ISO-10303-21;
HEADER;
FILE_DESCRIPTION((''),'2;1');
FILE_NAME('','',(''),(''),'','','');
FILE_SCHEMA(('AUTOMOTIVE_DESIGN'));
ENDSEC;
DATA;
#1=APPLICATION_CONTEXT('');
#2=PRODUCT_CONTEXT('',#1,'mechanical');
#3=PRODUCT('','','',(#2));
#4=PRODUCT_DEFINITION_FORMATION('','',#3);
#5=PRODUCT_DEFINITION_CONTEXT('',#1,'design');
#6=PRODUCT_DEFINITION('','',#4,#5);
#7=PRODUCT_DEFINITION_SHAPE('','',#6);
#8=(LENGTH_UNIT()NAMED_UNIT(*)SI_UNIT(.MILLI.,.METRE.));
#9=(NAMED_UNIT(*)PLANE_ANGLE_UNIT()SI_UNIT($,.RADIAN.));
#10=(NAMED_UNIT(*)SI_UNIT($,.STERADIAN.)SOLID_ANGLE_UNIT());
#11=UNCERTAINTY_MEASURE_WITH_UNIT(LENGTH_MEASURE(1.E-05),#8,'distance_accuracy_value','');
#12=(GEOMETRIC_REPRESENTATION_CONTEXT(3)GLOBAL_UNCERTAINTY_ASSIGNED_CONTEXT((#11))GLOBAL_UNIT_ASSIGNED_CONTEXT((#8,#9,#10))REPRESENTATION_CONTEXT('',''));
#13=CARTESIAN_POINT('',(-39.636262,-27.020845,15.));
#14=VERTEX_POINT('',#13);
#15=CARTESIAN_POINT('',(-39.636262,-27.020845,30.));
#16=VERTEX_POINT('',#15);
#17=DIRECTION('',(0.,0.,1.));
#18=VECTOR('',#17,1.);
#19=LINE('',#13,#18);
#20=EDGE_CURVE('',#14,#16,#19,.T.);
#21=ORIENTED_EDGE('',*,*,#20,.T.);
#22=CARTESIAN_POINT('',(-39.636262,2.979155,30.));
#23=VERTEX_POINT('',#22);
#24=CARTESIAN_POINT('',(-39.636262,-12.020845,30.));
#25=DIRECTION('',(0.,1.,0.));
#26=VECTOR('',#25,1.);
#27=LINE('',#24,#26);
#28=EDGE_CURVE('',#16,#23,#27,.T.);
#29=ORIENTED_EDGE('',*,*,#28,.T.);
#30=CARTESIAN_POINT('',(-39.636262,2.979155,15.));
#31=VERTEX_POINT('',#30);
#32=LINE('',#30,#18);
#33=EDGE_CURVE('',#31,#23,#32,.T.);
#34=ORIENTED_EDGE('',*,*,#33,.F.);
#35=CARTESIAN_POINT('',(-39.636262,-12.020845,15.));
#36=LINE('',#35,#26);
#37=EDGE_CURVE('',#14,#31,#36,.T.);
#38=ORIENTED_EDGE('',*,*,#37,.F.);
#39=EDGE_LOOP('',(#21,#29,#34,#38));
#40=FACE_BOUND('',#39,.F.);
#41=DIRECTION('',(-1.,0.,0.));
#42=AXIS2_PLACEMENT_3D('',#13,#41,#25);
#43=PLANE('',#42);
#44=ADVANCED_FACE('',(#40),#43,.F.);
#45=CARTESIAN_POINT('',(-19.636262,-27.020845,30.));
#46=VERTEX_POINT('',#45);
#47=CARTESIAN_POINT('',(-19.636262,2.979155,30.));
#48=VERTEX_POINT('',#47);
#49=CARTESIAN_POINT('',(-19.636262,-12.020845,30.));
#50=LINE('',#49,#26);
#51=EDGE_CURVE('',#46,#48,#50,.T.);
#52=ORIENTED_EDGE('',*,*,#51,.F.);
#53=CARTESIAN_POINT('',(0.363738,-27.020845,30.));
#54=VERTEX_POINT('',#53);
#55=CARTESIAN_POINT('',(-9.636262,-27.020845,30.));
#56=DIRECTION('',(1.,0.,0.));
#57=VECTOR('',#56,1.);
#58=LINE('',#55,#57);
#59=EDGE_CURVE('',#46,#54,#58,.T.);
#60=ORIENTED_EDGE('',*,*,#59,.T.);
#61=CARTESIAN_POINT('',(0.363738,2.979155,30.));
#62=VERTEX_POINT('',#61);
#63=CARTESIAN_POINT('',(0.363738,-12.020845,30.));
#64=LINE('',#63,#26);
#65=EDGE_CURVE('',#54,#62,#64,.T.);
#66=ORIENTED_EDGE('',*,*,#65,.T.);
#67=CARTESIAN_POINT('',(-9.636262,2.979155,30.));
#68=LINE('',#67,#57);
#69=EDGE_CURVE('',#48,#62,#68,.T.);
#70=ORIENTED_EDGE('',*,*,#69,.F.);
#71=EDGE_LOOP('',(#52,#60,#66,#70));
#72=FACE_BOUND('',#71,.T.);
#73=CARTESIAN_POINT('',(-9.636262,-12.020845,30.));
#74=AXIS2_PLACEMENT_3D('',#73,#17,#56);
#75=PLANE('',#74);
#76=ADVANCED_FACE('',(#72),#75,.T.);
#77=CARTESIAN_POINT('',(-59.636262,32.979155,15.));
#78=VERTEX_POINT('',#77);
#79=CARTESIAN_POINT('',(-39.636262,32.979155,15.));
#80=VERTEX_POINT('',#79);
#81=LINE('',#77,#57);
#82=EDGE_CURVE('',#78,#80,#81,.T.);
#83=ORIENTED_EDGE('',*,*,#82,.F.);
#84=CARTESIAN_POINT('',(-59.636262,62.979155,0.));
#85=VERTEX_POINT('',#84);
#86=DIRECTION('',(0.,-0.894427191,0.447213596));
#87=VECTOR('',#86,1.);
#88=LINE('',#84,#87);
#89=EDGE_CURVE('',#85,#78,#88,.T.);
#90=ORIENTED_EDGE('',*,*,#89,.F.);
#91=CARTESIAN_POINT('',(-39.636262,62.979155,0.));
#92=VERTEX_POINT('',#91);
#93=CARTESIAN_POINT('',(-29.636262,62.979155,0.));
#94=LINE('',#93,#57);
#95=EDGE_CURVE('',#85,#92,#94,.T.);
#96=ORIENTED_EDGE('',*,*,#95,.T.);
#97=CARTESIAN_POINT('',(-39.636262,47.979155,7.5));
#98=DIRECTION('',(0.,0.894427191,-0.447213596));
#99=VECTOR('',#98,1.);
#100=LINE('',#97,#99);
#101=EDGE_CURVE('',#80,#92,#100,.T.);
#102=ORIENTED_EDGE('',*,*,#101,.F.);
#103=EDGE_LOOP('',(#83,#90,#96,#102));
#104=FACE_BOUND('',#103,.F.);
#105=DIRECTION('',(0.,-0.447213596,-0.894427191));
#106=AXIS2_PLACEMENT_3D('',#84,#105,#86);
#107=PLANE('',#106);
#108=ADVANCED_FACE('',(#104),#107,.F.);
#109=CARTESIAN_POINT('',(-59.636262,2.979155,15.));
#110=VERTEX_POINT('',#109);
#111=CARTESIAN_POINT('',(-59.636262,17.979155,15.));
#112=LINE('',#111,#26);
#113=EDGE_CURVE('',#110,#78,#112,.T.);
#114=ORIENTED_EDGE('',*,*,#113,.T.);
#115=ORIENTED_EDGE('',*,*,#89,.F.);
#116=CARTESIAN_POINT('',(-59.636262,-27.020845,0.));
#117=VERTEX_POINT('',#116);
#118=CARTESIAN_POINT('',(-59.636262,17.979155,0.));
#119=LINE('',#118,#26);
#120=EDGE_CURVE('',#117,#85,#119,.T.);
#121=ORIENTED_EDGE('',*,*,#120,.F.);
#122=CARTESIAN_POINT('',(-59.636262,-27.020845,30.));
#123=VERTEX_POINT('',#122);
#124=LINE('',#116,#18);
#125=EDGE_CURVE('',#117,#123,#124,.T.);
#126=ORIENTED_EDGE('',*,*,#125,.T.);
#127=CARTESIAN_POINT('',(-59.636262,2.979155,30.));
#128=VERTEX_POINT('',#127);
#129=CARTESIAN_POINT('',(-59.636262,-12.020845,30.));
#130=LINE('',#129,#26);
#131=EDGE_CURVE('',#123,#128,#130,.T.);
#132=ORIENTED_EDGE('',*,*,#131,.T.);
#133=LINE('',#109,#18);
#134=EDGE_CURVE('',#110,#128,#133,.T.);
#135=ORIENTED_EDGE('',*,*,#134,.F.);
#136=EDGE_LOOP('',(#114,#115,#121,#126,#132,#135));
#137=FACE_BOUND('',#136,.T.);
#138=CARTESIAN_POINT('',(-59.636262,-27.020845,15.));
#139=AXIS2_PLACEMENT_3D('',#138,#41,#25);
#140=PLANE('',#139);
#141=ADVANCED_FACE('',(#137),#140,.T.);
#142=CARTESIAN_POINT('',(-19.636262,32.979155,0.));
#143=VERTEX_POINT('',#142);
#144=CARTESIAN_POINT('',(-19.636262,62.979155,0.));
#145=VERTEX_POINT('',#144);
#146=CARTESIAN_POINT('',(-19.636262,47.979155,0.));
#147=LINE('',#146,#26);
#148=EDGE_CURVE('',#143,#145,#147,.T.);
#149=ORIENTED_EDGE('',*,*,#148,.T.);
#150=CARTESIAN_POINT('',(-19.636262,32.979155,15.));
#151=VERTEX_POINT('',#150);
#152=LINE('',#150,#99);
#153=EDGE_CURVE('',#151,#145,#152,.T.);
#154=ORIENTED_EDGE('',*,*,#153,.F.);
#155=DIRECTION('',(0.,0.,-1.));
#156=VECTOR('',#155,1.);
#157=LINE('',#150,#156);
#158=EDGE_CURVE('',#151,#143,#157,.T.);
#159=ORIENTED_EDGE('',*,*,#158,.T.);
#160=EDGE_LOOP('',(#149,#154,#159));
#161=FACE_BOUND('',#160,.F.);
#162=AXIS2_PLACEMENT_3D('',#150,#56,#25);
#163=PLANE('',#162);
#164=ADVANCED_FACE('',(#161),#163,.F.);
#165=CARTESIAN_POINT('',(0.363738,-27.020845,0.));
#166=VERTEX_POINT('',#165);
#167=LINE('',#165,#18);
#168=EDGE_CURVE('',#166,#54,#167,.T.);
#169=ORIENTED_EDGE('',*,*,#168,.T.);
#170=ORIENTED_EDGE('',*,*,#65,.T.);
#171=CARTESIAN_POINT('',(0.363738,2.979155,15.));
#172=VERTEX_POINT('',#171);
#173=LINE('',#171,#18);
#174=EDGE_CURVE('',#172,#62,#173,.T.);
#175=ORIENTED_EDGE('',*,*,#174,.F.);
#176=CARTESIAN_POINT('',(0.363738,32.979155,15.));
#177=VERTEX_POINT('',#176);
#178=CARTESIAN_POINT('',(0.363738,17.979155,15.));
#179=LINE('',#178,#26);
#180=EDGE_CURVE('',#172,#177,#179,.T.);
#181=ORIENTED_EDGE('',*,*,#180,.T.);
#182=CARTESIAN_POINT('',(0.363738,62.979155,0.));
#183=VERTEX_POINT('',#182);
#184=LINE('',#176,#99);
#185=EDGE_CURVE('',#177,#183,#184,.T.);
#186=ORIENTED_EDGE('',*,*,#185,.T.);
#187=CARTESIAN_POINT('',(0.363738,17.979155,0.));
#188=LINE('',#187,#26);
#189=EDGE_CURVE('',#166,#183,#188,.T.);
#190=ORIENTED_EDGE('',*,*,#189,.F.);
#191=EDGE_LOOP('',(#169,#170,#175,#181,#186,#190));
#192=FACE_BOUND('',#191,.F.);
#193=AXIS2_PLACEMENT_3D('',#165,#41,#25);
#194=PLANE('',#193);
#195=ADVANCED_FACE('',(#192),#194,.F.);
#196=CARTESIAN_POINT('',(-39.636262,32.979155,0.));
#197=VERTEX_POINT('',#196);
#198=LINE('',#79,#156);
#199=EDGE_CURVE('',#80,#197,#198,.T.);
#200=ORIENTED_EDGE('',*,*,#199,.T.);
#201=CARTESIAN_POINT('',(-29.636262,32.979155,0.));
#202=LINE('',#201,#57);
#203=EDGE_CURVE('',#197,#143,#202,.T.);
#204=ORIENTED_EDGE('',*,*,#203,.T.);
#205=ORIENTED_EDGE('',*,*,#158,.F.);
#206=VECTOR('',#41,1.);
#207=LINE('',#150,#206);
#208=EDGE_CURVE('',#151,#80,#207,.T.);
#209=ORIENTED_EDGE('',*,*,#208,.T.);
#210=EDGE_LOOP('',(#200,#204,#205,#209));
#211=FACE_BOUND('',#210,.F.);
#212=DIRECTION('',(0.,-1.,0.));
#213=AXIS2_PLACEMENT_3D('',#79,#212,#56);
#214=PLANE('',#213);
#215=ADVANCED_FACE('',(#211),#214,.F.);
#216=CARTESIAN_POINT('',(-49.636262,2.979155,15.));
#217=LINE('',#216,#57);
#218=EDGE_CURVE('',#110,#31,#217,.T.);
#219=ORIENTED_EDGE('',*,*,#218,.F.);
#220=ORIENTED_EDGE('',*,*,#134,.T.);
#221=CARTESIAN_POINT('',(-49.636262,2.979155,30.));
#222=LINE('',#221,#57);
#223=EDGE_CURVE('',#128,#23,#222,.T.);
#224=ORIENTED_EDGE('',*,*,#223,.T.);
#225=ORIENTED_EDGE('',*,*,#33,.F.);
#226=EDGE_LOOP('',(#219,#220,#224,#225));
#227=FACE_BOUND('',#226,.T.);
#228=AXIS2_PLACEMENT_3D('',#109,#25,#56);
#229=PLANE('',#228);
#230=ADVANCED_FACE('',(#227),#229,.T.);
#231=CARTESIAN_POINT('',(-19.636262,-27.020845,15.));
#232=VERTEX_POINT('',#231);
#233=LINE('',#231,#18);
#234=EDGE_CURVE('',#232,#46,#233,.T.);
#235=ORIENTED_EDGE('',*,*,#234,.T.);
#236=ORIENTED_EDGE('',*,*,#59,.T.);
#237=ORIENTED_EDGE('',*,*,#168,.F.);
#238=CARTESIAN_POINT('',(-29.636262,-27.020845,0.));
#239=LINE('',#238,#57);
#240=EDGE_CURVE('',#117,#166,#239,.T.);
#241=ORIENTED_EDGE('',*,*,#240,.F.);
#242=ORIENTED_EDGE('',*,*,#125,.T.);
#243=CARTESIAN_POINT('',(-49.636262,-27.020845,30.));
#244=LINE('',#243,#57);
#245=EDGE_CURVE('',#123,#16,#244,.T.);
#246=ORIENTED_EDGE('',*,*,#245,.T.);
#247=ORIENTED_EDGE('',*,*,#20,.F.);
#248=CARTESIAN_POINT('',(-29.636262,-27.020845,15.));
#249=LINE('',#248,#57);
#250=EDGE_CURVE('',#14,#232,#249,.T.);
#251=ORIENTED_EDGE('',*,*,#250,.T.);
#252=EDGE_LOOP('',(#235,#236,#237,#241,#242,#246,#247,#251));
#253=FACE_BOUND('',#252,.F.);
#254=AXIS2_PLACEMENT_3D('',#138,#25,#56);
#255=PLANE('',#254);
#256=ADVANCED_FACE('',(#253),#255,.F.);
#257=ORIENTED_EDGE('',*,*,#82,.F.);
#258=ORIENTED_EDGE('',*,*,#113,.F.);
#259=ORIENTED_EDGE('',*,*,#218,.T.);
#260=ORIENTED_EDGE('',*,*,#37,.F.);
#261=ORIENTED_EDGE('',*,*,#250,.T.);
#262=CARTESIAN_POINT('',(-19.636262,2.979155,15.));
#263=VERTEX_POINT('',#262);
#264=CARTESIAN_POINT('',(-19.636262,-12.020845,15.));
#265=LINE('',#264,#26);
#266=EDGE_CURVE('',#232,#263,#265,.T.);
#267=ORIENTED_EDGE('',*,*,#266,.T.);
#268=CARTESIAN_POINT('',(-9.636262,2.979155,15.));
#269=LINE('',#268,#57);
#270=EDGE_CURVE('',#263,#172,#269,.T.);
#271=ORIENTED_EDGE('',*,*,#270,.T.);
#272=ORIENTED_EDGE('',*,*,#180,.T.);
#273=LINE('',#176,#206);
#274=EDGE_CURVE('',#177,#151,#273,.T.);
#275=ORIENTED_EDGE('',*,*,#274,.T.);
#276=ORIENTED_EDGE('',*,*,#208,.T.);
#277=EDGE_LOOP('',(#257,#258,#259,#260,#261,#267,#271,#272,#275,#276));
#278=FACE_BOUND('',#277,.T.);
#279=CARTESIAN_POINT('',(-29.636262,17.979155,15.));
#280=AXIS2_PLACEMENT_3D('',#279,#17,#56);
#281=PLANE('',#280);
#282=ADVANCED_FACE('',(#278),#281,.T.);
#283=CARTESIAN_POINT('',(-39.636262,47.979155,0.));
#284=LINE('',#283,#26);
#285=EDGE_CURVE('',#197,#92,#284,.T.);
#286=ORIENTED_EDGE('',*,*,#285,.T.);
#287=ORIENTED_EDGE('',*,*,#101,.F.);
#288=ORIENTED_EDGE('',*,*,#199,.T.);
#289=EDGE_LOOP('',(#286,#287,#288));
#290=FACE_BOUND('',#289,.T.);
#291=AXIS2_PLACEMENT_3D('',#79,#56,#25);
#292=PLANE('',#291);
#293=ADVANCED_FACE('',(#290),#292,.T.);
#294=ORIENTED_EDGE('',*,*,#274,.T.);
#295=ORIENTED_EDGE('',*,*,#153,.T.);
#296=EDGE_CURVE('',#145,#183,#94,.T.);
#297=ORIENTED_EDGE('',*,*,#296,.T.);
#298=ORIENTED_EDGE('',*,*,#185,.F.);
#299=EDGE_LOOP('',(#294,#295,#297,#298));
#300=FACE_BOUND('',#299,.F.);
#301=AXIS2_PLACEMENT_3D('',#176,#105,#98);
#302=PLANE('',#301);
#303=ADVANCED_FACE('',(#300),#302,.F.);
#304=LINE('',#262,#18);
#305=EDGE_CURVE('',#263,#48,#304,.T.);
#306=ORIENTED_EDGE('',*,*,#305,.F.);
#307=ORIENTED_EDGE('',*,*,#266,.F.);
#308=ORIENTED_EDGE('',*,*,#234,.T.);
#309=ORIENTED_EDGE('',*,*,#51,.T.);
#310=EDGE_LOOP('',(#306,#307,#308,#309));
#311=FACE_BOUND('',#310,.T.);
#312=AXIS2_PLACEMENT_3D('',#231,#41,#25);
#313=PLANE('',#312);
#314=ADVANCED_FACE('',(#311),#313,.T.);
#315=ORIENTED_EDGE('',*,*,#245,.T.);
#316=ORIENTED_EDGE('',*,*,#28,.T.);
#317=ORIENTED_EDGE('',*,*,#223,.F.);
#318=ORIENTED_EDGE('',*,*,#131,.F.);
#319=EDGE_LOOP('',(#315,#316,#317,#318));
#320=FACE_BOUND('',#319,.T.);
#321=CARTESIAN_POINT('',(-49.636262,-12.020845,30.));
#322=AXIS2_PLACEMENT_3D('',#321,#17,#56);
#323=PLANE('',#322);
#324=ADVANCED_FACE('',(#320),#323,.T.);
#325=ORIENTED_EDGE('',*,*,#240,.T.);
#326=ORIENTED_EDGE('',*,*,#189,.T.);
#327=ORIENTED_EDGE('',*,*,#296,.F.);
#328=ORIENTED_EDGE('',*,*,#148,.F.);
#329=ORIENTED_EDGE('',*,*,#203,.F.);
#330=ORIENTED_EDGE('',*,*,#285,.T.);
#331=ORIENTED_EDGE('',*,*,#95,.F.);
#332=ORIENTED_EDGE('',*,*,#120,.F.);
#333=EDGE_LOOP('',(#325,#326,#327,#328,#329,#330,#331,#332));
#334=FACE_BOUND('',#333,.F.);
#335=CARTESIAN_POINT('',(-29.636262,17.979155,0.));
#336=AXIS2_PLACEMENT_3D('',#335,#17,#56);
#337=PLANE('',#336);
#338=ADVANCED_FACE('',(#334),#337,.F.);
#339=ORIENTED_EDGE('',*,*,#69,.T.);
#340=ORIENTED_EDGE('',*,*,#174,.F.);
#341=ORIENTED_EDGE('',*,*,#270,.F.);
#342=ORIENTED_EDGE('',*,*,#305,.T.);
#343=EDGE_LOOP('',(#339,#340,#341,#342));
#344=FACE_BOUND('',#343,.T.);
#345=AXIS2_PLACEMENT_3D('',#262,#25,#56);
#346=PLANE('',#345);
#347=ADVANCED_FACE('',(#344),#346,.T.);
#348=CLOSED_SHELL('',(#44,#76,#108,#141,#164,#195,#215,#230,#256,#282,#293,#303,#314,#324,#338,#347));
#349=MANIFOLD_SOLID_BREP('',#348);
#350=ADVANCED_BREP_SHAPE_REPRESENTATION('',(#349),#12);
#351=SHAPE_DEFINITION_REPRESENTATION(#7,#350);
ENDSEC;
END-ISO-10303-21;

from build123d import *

# Parameters (mm, degrees)
F0_W      = 60
F0_H      = 90
F1_DEPTH  = 15
F2_W      = 20
F2_H      = 30
F3_DEPTH  = 15
F5_W      = 20
F5_H      = 30
F6_DEPTH  = 15
F8_DEPTH  = 25
F10_DEPTH = 25


with BuildPart() as f1:
    # F0 (on Top) → F1 (new body)
    with BuildSketch(Plane.XY):
        with Locations((-29.636262, 17.979155)):
            Rectangle(F0_W, F0_H)
    extrude(amount=F1_DEPTH)

    # F2 (on face) → F3 (join)
    with BuildSketch(Plane.XY.offset(15)):
        with Locations((-49.636262, -12.020845)):
            Rectangle(F2_W, F2_H)
        with Locations((-9.636262, -12.020845)):
            Rectangle(F2_W, F2_H)
    extrude(amount=F3_DEPTH)

    # F5 (on face) → F6 (cut)
    with BuildSketch(Plane.XY.offset(15)):
        with Locations((-29.636262, 47.979155)):
            Rectangle(F5_W, F5_H)
    extrude(amount=-F6_DEPTH, mode=Mode.SUBTRACT)

    # F7 (on face) → F8 (cut)
    with BuildSketch(Plane(origin=(-59.636262, 0, 0), x_dir=(0, -1, 0), z_dir=(-1, 0, 0))):
        Polygon((-62.979155, 15), (-62.979155, 0), (-32.979155, 15), (-60.437772, 15), align=None)
    extrude(amount=-F8_DEPTH, mode=Mode.SUBTRACT)

    # F9 (on face) → F10 (cut)
    with BuildSketch(Plane.YZ.offset(0.363738)):
        Polygon((32.979155, 15), (62.979155, 0), (62.979155, 15), align=None)
    extrude(amount=-F10_DEPTH, mode=Mode.SUBTRACT)


solid = f1.part
